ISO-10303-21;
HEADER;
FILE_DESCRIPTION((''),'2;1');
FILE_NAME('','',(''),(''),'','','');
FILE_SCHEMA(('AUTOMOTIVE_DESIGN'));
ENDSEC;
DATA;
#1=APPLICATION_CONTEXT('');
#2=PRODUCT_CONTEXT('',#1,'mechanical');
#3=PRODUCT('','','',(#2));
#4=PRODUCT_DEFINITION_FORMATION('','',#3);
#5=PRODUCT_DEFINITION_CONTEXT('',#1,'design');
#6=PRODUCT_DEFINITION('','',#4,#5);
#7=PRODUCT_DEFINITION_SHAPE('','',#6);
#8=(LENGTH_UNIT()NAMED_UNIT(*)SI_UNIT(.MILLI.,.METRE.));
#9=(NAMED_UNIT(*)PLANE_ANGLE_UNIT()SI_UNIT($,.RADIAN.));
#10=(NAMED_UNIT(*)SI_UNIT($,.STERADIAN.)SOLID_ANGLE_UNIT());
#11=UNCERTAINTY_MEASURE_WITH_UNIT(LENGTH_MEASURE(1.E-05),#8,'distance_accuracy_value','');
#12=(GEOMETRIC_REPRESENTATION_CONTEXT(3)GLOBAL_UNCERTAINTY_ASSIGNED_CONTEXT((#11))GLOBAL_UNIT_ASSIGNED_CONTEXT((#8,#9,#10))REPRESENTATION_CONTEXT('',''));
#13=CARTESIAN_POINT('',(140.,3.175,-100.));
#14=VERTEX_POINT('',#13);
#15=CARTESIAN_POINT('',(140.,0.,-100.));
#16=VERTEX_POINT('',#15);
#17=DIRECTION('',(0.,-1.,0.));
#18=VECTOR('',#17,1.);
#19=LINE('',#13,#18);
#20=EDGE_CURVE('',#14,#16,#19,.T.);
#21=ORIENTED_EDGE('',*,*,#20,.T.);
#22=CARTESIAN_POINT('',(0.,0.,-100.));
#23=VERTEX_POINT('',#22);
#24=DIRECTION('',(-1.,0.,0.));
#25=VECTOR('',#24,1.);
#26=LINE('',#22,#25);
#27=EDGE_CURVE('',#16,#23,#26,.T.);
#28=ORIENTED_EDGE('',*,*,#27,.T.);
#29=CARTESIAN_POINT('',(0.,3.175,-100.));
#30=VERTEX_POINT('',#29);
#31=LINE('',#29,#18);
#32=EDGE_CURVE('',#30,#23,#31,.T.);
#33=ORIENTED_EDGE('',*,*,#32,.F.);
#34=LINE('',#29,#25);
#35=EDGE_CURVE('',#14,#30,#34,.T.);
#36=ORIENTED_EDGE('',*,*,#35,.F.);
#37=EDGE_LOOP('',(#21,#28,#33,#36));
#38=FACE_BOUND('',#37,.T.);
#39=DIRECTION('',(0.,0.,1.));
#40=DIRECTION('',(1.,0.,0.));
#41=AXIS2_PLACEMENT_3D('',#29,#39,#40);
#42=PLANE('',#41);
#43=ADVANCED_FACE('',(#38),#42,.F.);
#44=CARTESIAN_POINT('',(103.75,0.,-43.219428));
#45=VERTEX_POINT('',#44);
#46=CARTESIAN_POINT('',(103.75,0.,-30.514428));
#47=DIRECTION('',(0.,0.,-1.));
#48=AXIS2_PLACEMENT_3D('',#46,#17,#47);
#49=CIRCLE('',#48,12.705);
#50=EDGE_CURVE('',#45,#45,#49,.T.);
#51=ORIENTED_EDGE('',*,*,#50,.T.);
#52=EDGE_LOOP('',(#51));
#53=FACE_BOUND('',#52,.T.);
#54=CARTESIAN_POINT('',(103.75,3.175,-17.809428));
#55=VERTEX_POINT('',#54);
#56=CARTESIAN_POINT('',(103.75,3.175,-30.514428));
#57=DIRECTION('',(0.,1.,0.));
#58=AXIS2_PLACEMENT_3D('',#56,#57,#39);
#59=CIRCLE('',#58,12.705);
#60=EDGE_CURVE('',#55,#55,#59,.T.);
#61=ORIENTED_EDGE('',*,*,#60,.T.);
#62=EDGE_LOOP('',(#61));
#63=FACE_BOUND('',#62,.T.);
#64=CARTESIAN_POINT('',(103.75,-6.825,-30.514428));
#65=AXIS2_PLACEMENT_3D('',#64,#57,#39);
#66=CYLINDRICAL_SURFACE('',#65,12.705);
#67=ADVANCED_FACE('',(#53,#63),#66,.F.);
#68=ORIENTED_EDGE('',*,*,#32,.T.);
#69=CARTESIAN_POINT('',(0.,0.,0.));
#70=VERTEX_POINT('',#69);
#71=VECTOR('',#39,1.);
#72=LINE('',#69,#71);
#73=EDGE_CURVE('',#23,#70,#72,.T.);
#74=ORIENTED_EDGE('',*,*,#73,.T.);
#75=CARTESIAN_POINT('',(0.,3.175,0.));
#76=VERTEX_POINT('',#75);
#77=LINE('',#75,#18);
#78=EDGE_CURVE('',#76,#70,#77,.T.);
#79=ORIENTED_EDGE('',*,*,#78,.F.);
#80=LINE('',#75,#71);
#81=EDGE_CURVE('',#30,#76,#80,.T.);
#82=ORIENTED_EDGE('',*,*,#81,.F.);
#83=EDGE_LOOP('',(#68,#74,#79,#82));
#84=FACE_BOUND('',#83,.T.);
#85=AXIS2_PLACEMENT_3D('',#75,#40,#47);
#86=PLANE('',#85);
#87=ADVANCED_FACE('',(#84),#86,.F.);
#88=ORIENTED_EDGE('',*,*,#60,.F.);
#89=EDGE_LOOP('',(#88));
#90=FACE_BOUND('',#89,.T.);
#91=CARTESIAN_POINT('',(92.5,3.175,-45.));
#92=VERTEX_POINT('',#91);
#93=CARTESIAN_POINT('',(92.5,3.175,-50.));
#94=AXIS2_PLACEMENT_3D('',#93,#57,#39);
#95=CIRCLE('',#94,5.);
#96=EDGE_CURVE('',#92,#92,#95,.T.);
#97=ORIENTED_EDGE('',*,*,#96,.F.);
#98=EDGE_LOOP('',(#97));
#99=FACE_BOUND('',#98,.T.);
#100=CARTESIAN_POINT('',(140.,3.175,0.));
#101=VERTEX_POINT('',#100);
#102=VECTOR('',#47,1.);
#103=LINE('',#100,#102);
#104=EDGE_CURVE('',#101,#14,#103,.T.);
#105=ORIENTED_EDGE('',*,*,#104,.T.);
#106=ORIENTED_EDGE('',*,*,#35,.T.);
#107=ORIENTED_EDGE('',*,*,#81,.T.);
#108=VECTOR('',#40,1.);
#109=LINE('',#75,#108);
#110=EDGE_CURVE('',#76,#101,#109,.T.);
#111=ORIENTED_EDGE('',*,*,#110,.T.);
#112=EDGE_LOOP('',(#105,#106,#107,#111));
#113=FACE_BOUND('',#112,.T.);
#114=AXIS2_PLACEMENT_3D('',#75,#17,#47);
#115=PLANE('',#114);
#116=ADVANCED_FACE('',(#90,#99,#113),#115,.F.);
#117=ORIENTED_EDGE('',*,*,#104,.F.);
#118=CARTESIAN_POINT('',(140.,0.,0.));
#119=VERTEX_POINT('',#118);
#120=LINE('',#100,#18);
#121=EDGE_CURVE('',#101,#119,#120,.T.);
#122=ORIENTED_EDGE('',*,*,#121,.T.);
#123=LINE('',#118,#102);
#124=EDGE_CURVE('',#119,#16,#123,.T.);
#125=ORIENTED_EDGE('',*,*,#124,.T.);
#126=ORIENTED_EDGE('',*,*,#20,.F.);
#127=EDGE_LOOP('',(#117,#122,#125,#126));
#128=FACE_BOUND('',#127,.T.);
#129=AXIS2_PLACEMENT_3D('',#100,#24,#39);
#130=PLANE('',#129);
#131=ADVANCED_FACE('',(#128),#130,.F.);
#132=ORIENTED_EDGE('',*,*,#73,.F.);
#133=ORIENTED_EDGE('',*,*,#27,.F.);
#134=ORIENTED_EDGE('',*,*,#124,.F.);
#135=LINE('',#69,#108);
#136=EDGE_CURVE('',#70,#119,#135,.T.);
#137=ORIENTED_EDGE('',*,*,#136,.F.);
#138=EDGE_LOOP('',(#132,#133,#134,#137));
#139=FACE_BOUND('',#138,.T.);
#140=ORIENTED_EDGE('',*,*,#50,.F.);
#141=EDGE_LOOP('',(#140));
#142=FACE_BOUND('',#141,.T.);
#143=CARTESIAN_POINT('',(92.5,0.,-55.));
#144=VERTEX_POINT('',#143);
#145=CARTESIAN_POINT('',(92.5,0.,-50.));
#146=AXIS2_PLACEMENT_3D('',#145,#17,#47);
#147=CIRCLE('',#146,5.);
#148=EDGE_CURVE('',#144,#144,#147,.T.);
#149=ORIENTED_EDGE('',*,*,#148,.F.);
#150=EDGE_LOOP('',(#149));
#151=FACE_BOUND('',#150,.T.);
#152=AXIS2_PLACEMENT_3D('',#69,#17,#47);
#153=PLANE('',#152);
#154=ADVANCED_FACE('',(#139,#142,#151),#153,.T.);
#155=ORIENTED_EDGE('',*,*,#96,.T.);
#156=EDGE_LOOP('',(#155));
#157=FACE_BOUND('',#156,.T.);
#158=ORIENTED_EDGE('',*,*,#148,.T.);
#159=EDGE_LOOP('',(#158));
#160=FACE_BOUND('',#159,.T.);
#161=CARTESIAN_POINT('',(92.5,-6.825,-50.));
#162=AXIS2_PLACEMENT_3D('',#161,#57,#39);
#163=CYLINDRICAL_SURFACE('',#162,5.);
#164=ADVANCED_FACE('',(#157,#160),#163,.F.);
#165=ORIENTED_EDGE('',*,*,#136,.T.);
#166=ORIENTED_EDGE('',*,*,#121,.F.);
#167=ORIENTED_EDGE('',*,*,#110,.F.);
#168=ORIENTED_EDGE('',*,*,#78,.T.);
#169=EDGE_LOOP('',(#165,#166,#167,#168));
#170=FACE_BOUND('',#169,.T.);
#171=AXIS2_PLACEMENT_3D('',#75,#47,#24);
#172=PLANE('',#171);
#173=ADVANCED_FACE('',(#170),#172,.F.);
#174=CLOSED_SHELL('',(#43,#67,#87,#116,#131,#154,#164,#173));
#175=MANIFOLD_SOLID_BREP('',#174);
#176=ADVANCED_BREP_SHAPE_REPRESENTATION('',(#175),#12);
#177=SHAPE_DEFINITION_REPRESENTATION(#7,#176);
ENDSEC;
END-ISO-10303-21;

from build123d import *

# Parameters (mm, degrees)
SKETCH1_W           = 140
SKETCH1_H           = 100
BOSS_EXTRUDE1_DEPTH = 3.175
SKETCH2_R           = 12.705
SKETCH2_R_2         = 5
CUT_EXTRUDE1_DEPTH  = 10


with BuildPart() as part:
    # Sketch1 → Boss-Extrude1 (new body)
    with BuildSketch(Plane(origin=(0, 0, 0), x_dir=(1, 0, 0), z_dir=(0, 1, 0))):
        with Locations((70, 50)):
            Rectangle(SKETCH1_W, SKETCH1_H)
    extrude(amount=BOSS_EXTRUDE1_DEPTH)

    # Sketch2 → Cut-Extrude1 (cut)
    with BuildSketch(Plane(origin=(0, 3.175, 0), x_dir=(1, 0, 0), z_dir=(0, 1, 0))):
        with Locations(Location((103.75, 30.514428415, 0), (0, 0, 270))):
            Circle(SKETCH2_R)
        with Locations(Location((92.5, 50, 0), (0, 0, 270))):
            Circle(SKETCH2_R_2)
    extrude(amount=-CUT_EXTRUDE1_DEPTH, mode=Mode.SUBTRACT)


solid = part.part
